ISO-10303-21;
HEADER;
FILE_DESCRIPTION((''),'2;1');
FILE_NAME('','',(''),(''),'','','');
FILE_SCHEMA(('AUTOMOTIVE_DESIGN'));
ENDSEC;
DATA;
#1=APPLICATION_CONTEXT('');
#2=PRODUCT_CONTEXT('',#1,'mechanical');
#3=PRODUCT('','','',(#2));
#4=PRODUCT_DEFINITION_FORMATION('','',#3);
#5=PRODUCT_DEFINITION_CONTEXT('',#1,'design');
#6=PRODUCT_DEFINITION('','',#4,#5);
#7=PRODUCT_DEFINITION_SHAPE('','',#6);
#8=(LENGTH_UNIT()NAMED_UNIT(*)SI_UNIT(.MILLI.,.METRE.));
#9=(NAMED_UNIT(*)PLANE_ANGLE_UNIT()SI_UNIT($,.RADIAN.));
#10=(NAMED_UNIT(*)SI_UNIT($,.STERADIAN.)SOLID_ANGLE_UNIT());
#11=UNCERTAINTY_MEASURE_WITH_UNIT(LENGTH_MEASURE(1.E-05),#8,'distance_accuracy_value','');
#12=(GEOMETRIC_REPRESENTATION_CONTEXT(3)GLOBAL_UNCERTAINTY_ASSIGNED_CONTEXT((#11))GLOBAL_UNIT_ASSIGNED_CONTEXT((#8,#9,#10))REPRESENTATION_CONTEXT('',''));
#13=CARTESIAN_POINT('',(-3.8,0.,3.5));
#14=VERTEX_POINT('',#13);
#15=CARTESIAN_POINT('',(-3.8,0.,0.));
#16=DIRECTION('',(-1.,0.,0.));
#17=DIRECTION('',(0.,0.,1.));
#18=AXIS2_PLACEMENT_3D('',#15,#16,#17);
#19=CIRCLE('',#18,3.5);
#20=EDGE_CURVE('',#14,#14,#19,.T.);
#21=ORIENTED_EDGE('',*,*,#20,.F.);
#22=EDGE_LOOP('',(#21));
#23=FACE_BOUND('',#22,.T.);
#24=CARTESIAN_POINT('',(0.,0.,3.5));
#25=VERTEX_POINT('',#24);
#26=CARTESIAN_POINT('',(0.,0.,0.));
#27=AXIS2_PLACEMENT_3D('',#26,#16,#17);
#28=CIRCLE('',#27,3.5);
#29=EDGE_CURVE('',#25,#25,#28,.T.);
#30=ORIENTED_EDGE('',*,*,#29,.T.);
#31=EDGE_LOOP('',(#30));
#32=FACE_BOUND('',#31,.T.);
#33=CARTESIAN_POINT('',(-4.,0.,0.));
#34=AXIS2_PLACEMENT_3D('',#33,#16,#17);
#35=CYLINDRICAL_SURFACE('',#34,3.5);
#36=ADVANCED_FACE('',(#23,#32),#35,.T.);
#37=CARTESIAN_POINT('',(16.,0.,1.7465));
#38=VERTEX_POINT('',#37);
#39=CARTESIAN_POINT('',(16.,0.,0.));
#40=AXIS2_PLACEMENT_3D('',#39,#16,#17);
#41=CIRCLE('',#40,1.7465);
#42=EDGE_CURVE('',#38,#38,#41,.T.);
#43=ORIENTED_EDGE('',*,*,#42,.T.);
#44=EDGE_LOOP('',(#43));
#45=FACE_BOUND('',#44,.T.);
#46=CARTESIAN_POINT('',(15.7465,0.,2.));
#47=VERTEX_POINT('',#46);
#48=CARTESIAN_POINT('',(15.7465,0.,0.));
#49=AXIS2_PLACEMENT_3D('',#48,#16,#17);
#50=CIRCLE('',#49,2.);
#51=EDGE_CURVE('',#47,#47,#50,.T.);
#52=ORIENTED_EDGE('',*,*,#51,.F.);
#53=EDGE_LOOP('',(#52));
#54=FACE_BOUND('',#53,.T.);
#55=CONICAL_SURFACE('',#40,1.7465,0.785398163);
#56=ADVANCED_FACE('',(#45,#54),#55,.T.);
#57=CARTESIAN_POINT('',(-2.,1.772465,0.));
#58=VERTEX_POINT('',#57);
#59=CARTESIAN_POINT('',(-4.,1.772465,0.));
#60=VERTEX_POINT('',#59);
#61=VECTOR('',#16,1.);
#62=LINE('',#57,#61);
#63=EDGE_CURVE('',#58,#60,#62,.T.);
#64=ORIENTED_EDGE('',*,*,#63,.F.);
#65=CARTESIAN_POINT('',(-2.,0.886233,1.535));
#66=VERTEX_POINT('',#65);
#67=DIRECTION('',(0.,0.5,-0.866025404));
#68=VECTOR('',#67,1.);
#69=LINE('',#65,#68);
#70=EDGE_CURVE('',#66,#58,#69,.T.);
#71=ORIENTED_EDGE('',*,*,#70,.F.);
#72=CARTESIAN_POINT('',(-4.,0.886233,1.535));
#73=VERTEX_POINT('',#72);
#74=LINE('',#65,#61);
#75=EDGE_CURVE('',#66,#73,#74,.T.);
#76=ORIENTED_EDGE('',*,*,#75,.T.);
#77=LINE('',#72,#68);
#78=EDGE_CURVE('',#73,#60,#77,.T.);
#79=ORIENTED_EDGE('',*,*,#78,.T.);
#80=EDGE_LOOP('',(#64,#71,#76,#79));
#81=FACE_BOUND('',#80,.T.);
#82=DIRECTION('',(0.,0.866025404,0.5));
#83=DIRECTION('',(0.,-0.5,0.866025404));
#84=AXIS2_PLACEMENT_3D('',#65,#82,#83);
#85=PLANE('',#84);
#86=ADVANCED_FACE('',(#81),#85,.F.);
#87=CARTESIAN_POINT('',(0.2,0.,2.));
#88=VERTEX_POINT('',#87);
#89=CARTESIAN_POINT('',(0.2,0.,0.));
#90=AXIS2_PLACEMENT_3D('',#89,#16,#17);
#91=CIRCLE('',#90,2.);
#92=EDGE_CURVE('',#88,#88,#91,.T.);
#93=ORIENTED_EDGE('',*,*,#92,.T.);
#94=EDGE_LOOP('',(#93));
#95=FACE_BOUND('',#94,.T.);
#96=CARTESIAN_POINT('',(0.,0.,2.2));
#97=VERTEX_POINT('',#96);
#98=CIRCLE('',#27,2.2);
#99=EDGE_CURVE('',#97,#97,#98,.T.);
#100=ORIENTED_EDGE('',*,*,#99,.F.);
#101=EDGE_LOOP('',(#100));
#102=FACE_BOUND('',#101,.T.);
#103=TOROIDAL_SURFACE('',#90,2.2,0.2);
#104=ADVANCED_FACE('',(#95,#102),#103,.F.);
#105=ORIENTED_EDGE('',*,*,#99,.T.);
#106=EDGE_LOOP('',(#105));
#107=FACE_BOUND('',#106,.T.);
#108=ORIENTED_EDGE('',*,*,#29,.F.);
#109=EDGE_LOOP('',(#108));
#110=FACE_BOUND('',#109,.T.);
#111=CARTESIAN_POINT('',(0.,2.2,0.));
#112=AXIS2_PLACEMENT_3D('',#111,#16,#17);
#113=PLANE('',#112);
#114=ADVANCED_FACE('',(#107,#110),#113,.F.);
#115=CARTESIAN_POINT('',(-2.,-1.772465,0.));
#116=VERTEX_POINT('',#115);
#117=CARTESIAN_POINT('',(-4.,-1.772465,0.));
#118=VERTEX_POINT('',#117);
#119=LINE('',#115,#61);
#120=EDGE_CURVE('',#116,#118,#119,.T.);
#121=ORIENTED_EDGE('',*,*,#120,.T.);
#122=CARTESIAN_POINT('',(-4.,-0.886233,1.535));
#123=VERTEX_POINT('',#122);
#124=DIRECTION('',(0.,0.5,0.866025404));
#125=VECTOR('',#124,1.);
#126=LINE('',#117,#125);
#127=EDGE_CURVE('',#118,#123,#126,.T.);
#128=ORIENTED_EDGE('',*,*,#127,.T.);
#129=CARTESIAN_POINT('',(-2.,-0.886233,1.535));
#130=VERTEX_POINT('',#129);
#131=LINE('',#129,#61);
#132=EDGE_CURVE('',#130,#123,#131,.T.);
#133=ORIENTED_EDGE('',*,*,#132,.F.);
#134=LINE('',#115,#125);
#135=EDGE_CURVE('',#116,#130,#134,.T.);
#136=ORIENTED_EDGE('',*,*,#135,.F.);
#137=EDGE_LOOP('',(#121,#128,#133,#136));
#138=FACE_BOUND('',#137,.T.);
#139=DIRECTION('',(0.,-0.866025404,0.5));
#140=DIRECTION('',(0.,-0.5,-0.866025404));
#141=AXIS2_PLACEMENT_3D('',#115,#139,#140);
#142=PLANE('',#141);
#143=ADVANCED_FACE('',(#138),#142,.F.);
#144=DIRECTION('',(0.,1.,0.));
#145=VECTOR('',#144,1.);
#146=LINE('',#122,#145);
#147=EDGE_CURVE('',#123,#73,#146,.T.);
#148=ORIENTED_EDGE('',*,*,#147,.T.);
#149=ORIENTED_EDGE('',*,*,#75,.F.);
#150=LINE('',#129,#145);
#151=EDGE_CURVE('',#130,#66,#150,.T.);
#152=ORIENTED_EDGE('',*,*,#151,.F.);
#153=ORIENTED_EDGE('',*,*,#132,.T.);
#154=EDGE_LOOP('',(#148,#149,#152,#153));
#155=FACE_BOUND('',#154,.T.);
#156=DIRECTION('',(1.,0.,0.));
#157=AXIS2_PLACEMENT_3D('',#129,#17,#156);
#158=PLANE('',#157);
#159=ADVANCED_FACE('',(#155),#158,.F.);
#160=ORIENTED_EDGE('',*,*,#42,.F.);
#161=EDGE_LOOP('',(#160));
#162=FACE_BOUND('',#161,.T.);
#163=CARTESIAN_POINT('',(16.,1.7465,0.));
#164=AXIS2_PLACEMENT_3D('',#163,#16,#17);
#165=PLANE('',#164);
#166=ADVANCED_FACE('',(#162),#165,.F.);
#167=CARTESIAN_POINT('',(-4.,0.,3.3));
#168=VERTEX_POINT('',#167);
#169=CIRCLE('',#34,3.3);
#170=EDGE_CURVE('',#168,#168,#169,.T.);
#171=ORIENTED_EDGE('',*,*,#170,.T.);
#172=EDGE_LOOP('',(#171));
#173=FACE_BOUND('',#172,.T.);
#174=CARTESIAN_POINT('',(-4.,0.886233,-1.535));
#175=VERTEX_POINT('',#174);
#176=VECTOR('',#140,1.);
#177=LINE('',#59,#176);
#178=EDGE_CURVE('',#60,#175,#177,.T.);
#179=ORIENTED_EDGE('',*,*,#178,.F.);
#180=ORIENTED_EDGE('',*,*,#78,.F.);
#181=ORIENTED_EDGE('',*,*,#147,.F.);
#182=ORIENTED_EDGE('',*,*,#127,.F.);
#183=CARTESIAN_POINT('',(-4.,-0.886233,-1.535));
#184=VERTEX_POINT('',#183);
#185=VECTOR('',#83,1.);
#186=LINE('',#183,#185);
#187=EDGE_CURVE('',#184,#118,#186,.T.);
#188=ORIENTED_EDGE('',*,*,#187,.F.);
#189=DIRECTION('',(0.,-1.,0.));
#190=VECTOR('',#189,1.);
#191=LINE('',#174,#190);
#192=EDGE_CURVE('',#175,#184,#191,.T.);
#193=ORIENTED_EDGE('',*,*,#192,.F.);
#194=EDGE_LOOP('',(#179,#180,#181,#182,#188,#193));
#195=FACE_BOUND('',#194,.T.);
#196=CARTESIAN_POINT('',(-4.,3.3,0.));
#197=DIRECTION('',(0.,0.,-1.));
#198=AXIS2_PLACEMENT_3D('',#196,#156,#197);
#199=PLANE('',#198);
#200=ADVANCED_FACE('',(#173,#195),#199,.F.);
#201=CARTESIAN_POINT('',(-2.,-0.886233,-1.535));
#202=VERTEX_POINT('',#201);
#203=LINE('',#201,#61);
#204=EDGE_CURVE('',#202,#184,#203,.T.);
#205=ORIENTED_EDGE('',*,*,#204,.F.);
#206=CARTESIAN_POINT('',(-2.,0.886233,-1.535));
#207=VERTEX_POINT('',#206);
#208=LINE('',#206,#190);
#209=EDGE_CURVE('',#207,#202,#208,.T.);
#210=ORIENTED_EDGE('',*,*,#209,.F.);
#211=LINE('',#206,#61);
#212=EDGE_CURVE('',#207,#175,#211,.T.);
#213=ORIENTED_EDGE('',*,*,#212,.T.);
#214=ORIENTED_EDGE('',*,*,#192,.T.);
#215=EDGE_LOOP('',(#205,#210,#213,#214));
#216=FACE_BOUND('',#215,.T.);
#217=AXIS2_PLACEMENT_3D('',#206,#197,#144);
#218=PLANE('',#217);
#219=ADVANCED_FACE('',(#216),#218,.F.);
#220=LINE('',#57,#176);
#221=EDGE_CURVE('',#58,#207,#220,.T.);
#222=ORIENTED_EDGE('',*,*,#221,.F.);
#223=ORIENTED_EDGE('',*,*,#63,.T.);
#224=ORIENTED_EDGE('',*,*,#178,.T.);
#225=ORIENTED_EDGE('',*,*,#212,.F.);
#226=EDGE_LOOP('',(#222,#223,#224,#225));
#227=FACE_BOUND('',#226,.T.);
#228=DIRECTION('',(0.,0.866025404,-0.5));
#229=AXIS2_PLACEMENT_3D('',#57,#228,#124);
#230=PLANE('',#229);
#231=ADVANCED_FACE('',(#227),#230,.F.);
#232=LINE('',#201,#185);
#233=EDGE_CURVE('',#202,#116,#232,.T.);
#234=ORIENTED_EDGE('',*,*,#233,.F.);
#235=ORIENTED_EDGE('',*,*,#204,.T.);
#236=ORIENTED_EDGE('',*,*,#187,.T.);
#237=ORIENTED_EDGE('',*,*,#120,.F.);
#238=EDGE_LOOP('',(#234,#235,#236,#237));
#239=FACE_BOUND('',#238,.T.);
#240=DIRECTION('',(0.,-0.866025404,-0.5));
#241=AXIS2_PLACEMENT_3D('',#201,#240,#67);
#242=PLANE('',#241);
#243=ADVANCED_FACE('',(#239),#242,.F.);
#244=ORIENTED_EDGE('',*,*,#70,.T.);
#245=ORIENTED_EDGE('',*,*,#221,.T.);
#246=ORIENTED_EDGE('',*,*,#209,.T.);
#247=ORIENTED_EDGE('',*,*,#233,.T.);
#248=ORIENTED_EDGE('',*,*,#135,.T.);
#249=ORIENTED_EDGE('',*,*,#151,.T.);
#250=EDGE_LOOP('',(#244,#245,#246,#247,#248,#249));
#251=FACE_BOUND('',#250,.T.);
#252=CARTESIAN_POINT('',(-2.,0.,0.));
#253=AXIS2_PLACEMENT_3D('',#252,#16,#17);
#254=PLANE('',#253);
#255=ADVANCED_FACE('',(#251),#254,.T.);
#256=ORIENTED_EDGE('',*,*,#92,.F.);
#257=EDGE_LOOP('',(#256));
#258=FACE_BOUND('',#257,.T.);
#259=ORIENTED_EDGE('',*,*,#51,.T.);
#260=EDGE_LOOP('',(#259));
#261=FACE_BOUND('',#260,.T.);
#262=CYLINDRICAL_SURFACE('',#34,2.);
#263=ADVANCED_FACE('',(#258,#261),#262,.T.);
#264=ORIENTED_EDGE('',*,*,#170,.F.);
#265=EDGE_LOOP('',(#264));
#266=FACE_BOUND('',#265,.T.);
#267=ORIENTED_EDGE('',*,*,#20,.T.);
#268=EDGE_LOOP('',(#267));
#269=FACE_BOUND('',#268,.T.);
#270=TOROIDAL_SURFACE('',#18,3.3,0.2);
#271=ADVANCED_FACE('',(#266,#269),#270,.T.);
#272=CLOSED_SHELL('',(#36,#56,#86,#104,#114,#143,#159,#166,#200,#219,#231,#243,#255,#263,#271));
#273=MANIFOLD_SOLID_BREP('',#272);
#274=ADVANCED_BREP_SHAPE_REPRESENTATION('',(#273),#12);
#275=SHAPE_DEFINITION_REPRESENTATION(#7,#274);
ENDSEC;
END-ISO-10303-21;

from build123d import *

# Parameters (mm, degrees)
CUT_EXTRUDE1_DEPTH = 2


with BuildPart() as part:
    # Sketch1 → Revolve1 (revolve)
    with BuildSketch(Plane.XY):
        with BuildLine():
            Line((15.7465, 2), (0.2, 2))
            ThreePointArc((0.2, 2), (0.058578644, 2.058578644), (0, 2.2))
            Line((0, 2.2), (0, 3.5))
            Line((0, 3.5), (-3.8, 3.5))
            ThreePointArc((-3.8, 3.5), (-3.941421356, 3.441421356), (-4, 3.3))
            Line((-4, 3.3), (-4, 0))
            Line((-4, 0), (16, 0))
            Line((16, 0), (16, 1.7465))
            Line((16, 1.7465), (15.7465, 2))
        make_face()
    revolve(axis=Axis((-4, 0, 0), (1, 0, 0)))

    # Sketch2 → Cut-Extrude1 (cut)
    with BuildSketch(Plane.ZY.offset(4)):
        Polygon((1.535, 0.886232663), (0, 1.772465326), (-1.535, 0.886232663), (-1.535, -0.886232663), (0, -1.772465326), (1.535, -0.886232663), align=None)
    extrude(amount=-CUT_EXTRUDE1_DEPTH, mode=Mode.SUBTRACT)


solid = part.part
